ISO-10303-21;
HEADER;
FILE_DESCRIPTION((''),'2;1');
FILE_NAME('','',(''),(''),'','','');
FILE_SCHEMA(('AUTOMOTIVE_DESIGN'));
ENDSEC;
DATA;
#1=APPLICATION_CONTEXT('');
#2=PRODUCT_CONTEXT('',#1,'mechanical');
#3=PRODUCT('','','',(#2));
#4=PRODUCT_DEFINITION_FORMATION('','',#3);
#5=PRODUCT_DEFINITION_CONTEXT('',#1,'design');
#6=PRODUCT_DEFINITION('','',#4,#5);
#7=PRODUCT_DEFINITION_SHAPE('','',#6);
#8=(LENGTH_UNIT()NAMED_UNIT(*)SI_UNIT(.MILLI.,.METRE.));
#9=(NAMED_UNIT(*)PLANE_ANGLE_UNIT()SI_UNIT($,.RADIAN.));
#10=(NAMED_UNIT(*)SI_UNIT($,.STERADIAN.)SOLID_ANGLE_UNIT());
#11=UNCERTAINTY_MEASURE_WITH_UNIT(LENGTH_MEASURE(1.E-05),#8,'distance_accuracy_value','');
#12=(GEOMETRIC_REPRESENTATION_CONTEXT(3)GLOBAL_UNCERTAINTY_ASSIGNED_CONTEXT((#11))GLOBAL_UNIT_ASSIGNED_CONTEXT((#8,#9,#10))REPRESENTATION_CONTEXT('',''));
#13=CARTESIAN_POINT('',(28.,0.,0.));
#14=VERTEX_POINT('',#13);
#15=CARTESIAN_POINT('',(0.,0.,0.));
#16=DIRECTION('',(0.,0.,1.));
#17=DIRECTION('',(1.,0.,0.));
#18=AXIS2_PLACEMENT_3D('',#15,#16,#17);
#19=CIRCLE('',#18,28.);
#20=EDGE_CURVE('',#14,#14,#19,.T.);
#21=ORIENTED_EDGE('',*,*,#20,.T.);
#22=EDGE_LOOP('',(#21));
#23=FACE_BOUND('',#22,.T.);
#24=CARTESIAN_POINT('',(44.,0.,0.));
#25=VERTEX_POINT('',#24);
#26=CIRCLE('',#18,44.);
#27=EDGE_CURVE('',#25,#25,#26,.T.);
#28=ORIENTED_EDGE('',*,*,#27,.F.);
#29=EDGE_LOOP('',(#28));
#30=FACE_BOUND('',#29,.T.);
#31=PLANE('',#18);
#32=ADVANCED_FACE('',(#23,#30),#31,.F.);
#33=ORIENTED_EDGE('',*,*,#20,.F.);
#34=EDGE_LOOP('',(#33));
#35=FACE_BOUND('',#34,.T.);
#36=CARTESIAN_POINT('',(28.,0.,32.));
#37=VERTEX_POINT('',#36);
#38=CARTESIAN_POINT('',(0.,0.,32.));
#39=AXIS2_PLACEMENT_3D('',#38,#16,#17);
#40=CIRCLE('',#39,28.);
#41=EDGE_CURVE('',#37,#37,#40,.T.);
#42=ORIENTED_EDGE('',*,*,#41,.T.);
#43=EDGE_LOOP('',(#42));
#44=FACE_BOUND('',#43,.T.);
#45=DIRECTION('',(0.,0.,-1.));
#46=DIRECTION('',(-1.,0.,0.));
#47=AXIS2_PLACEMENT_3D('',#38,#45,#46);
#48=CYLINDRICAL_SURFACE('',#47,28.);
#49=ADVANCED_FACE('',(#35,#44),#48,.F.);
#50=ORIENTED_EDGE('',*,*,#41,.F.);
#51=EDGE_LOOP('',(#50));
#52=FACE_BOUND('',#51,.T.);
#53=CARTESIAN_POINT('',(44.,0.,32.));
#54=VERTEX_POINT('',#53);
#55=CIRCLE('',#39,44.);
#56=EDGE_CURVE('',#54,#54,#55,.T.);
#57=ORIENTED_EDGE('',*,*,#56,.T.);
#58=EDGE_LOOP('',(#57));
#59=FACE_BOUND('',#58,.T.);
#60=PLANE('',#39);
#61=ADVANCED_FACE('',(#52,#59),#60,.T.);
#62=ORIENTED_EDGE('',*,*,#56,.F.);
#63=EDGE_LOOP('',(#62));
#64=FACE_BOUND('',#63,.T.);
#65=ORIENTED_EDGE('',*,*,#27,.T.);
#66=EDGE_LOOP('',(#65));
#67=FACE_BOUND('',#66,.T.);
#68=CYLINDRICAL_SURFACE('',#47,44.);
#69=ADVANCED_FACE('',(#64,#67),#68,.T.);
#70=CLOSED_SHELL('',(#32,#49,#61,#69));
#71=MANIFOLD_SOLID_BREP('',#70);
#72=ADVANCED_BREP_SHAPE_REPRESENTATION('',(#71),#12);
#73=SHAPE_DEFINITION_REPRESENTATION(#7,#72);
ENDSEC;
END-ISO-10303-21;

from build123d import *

# Parameters (mm, degrees)
SKETCH1_R           = 44
SKETCH1_R_2         = 28
BOSS_EXTRUDE1_DEPTH = 32


with BuildPart() as part:
    # Sketch1 → Boss-Extrude1 (new body)
    with BuildSketch(Plane.XY):
        Circle(SKETCH1_R)
        Circle(SKETCH1_R_2, mode=Mode.SUBTRACT)
    extrude(amount=BOSS_EXTRUDE1_DEPTH)


solid = part.part
